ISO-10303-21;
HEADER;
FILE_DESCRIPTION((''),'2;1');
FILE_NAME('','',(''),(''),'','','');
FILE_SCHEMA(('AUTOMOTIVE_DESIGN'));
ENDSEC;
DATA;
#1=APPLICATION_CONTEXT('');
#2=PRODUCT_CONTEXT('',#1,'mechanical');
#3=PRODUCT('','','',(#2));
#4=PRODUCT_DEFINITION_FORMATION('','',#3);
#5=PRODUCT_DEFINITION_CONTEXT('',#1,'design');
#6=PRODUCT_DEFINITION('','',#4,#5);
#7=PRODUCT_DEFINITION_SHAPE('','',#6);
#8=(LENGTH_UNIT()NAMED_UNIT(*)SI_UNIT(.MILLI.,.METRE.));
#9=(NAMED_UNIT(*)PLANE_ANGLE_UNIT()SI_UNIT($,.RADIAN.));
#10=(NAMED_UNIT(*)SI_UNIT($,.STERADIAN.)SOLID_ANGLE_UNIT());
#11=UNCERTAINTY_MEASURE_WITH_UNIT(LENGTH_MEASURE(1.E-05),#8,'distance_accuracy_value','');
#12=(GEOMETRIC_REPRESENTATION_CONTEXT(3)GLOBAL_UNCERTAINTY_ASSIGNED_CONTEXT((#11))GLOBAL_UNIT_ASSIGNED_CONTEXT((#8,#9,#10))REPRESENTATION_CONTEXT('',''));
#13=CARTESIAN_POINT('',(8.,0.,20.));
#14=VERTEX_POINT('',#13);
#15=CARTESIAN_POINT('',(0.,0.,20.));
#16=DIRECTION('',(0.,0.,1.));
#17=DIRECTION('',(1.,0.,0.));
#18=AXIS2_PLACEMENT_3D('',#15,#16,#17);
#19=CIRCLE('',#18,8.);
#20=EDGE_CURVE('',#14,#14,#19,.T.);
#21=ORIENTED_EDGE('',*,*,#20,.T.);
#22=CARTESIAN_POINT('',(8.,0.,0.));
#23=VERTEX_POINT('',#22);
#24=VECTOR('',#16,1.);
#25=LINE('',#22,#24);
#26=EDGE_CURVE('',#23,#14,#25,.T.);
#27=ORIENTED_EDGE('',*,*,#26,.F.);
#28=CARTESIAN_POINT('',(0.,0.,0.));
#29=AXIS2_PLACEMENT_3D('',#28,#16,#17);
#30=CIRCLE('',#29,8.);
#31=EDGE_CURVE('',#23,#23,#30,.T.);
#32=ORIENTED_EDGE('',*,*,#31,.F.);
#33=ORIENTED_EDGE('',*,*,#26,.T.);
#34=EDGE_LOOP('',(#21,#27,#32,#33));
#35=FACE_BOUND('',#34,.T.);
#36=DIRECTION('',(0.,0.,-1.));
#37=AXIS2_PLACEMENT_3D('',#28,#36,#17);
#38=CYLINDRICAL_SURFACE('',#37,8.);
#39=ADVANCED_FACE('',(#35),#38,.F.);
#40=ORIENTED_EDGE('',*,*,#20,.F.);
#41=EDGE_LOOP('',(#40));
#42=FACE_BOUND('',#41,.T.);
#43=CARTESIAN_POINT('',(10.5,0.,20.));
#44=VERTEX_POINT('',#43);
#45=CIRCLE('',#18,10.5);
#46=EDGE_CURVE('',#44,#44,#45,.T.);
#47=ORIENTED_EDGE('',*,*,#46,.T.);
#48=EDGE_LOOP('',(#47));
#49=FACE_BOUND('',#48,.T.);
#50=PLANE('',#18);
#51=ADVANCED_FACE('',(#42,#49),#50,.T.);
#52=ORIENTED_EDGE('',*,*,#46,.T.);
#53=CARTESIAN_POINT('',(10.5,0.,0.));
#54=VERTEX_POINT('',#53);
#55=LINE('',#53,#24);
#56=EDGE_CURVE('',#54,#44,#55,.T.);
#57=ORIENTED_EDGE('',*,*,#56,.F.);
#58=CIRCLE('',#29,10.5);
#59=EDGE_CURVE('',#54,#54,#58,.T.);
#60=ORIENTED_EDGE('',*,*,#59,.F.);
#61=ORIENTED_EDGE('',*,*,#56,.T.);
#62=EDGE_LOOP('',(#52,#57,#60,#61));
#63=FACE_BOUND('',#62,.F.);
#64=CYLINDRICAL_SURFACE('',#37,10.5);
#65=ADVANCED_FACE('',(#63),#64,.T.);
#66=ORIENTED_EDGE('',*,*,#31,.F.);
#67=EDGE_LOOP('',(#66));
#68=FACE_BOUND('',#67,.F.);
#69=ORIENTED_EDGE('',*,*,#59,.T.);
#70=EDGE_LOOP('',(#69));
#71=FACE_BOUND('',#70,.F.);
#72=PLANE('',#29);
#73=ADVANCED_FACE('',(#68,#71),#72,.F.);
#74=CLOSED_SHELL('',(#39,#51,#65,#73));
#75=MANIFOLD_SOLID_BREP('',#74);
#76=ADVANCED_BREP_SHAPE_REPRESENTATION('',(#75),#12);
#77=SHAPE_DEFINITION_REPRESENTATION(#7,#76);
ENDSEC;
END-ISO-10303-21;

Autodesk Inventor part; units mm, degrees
ref_plane "YZ Plane" through (0, 0, 0) normal (1, 0, 0) x (0, 1, 0)
ref_plane "XZ Plane" through (0, 0, 0) normal (0, 1, 0) x (-1, 0, 0)
ref_plane "XY Plane" through (0, 0, 0) normal (0, 0, 1) x (1, 0, 0)
sketch "Sketch1" plane through (0, 0, 0) normal (0, 0, 1) x (1, 0, 0)
  circle A0 centre (0, 0) radius 10.5
  circle A1 centre (0, 0) radius 8
  dimension "d0" = 21
  dimension "d1" = 16
extrude "Extrusion1" add sketch "Sketch1" along normal blind 20
properties part number "SLM dummy pipe nippel 0.5in"
